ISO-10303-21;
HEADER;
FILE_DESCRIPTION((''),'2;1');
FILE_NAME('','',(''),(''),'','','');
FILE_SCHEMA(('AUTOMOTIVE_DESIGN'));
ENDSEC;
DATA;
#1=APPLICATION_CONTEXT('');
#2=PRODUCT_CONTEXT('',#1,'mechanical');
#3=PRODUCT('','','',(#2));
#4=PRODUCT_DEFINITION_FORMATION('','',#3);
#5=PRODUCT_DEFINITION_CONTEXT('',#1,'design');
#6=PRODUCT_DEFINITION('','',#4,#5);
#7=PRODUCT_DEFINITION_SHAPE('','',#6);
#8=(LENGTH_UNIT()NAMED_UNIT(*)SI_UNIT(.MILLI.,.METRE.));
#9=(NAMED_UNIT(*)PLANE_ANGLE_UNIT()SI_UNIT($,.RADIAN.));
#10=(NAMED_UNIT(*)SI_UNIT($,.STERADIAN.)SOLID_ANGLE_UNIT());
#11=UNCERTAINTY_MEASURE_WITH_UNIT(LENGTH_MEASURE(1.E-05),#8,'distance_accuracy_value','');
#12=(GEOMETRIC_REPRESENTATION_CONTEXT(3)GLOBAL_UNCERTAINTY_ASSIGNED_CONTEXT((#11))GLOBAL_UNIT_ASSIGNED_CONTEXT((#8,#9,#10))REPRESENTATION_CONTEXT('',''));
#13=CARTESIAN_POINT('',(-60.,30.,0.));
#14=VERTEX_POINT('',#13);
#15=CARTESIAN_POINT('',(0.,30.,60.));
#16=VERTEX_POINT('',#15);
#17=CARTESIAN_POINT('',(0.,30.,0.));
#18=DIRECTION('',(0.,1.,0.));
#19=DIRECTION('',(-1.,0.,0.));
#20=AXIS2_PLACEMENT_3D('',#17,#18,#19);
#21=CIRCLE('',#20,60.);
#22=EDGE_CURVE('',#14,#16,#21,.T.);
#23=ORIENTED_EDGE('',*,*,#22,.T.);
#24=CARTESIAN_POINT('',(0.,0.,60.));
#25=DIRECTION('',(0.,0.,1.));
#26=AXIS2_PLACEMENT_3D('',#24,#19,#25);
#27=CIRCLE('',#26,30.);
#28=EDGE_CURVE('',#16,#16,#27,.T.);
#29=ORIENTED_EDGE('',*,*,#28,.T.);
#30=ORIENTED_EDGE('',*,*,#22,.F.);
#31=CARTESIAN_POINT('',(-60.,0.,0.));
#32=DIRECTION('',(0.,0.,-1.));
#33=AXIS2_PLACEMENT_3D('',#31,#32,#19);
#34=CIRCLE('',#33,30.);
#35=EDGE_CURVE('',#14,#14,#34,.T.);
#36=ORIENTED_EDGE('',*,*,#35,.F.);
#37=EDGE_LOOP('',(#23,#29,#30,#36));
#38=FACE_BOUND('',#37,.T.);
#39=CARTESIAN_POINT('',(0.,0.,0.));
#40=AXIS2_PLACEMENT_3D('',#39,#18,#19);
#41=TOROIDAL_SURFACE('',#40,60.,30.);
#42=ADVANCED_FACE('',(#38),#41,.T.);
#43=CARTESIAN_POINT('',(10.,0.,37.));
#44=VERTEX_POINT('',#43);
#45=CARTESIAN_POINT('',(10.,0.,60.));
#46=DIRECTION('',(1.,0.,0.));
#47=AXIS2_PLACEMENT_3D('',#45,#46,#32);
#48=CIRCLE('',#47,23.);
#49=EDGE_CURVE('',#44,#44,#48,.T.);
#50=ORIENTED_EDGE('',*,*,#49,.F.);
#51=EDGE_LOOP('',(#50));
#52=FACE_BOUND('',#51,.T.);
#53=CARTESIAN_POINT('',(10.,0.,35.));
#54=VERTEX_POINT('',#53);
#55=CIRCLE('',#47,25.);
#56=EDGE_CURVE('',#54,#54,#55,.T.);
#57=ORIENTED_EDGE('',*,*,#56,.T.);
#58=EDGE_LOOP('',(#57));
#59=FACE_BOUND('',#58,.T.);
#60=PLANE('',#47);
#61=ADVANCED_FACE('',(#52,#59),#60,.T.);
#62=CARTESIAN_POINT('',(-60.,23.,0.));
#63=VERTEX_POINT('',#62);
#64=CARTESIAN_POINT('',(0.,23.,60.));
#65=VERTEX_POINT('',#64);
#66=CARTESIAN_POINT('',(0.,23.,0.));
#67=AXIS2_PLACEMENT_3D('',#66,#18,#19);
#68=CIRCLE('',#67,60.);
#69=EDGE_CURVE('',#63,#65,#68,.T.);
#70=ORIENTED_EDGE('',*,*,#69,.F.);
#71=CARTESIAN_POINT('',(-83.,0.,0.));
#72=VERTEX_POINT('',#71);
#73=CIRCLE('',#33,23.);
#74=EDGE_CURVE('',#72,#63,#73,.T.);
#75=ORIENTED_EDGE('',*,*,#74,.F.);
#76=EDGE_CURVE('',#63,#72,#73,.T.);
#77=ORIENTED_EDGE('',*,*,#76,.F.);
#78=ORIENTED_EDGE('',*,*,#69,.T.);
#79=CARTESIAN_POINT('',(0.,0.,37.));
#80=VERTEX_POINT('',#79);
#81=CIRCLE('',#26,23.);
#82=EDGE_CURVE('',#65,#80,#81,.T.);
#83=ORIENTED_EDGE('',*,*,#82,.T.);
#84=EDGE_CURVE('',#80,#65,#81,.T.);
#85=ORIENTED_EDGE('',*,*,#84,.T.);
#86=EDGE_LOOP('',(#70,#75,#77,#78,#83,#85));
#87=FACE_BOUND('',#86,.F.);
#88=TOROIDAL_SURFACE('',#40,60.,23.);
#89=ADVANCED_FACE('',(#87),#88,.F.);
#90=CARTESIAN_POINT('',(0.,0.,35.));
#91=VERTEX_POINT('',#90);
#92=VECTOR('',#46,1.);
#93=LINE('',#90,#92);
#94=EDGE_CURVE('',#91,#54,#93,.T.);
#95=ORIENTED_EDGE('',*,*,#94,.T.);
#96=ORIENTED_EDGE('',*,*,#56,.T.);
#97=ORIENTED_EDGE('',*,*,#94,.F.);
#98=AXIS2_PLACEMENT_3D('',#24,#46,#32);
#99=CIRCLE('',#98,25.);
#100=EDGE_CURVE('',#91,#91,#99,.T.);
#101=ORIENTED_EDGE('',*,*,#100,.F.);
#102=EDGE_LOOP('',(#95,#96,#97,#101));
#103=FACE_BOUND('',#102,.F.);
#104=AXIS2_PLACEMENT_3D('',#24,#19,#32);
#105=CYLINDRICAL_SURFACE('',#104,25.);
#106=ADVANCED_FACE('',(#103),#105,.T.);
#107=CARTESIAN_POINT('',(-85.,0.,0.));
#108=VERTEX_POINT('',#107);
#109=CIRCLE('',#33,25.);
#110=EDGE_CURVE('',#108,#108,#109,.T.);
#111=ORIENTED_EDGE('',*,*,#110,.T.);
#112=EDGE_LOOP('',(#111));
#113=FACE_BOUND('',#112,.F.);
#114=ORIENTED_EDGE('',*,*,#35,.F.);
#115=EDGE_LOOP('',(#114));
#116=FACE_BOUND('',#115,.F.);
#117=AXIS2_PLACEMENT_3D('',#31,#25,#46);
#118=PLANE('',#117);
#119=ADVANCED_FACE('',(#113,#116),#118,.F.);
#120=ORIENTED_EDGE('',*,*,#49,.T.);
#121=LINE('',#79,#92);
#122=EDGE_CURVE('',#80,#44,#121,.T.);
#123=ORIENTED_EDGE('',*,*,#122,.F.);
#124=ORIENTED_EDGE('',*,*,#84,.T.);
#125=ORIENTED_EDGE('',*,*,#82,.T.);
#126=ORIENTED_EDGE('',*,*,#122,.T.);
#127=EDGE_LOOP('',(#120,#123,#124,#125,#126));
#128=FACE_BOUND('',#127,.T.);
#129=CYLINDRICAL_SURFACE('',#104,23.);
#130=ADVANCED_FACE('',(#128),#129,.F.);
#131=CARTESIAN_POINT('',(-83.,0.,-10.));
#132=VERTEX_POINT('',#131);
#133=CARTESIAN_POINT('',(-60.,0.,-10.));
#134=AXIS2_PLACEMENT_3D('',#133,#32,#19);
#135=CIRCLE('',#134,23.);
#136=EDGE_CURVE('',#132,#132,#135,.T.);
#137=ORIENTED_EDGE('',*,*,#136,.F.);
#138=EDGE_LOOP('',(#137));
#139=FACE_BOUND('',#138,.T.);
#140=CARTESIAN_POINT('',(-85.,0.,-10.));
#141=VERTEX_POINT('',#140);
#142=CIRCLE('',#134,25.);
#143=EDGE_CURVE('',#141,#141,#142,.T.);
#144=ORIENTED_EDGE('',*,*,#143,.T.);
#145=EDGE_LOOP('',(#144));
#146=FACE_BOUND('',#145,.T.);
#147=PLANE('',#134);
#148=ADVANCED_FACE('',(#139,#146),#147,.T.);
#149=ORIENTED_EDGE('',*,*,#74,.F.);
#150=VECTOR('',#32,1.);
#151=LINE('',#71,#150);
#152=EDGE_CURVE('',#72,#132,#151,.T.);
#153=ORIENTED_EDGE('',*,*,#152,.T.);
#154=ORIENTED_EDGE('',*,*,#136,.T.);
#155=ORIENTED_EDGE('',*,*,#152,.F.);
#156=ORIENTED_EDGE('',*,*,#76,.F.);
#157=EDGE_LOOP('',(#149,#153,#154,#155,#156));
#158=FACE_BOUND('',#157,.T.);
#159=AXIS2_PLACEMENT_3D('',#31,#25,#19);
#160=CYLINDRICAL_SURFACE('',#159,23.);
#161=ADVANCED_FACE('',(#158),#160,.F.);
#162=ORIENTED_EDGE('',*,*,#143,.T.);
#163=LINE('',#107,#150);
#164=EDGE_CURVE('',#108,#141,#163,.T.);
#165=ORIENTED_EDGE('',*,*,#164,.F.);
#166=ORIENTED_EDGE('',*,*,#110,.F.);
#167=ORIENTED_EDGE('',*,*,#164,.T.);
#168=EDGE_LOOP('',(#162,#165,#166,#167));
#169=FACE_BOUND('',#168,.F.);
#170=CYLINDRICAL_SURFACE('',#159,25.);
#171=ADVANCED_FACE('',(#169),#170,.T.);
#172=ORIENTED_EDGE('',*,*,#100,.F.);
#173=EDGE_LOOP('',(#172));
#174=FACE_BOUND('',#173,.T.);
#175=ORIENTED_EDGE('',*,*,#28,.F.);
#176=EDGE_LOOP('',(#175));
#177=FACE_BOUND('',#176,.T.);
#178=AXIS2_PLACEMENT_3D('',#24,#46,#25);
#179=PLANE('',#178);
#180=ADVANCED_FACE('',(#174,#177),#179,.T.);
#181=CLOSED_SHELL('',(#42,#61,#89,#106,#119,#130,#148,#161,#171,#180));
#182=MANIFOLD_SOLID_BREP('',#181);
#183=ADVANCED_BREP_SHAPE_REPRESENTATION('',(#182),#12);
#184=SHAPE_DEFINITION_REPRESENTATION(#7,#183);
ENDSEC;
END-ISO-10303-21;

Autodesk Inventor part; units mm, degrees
ref_plane "YZ Plane" through (0, 0, 0) normal (1, 0, 0) x (0, 1, 0)
ref_plane "XZ Plane" through (0, 0, 0) normal (0, 1, 0) x (-1, 0, 0)
ref_plane "XY Plane" through (0, 0, 0) normal (0, 0, 1) x (1, 0, 0)
sketch "Esquisse15" plane through (0, 0, 0) normal (1, 0, 0) x (0, 1, 0)
  circle A0 centre (0, 60) radius 30
  circle A1 centre (0, 60) radius 23
  line L0 (-42, 0) -> (42, 0) construction
  line L1 (0, 108) -> (0, -18) construction
  point P0 (0, 0)
  dimension "d43" = 60
  dimension "d44" = 46
  dimension "d45" = 60
sketch "Esquisse9" plane through (0, 0, 0) normal (0, 1, 0) x (-1, 0, 0)
  arc A0 (60, 0) -> (0, 60) centre (0, 0) ccw
  dimension "d41" = 90
  dimension "d42" = 60
sweep "Balayage3" add profiles "Esquisse15" path "Esquisse9"
sketch "Esquisse16" plane through (-60, 0, 0) normal (0, 0, -1) x (-1, 0, 0)
  circle A0 centre (0, 0) radius 23 construction
  circle A1 centre (0, 0) radius 30 construction
  circle A2 centre (0, 0) radius 23
  circle A3 centre (0, 0) radius 25
  point P0 (-60, 0)
  dimension "d48" = 50
extrude "Extrusion6" add sketch "Esquisse16" along normal blind 10
sketch "Esquisse17" plane through (0, 0, 60) normal (1, 0, 0) x (0, 0, -1)
  circle A0 centre (0, 0) radius 23 construction
  circle A1 centre (0, 0) radius 30 construction
  circle A2 centre (0, 0) radius 23
  circle A3 centre (0, 0) radius 25
  point P0 (60, 0)
  dimension "d51" = 50
extrude "Extrusion7" add sketch "Esquisse17" along normal blind 10
properties part number "P010_CanonCoude"
